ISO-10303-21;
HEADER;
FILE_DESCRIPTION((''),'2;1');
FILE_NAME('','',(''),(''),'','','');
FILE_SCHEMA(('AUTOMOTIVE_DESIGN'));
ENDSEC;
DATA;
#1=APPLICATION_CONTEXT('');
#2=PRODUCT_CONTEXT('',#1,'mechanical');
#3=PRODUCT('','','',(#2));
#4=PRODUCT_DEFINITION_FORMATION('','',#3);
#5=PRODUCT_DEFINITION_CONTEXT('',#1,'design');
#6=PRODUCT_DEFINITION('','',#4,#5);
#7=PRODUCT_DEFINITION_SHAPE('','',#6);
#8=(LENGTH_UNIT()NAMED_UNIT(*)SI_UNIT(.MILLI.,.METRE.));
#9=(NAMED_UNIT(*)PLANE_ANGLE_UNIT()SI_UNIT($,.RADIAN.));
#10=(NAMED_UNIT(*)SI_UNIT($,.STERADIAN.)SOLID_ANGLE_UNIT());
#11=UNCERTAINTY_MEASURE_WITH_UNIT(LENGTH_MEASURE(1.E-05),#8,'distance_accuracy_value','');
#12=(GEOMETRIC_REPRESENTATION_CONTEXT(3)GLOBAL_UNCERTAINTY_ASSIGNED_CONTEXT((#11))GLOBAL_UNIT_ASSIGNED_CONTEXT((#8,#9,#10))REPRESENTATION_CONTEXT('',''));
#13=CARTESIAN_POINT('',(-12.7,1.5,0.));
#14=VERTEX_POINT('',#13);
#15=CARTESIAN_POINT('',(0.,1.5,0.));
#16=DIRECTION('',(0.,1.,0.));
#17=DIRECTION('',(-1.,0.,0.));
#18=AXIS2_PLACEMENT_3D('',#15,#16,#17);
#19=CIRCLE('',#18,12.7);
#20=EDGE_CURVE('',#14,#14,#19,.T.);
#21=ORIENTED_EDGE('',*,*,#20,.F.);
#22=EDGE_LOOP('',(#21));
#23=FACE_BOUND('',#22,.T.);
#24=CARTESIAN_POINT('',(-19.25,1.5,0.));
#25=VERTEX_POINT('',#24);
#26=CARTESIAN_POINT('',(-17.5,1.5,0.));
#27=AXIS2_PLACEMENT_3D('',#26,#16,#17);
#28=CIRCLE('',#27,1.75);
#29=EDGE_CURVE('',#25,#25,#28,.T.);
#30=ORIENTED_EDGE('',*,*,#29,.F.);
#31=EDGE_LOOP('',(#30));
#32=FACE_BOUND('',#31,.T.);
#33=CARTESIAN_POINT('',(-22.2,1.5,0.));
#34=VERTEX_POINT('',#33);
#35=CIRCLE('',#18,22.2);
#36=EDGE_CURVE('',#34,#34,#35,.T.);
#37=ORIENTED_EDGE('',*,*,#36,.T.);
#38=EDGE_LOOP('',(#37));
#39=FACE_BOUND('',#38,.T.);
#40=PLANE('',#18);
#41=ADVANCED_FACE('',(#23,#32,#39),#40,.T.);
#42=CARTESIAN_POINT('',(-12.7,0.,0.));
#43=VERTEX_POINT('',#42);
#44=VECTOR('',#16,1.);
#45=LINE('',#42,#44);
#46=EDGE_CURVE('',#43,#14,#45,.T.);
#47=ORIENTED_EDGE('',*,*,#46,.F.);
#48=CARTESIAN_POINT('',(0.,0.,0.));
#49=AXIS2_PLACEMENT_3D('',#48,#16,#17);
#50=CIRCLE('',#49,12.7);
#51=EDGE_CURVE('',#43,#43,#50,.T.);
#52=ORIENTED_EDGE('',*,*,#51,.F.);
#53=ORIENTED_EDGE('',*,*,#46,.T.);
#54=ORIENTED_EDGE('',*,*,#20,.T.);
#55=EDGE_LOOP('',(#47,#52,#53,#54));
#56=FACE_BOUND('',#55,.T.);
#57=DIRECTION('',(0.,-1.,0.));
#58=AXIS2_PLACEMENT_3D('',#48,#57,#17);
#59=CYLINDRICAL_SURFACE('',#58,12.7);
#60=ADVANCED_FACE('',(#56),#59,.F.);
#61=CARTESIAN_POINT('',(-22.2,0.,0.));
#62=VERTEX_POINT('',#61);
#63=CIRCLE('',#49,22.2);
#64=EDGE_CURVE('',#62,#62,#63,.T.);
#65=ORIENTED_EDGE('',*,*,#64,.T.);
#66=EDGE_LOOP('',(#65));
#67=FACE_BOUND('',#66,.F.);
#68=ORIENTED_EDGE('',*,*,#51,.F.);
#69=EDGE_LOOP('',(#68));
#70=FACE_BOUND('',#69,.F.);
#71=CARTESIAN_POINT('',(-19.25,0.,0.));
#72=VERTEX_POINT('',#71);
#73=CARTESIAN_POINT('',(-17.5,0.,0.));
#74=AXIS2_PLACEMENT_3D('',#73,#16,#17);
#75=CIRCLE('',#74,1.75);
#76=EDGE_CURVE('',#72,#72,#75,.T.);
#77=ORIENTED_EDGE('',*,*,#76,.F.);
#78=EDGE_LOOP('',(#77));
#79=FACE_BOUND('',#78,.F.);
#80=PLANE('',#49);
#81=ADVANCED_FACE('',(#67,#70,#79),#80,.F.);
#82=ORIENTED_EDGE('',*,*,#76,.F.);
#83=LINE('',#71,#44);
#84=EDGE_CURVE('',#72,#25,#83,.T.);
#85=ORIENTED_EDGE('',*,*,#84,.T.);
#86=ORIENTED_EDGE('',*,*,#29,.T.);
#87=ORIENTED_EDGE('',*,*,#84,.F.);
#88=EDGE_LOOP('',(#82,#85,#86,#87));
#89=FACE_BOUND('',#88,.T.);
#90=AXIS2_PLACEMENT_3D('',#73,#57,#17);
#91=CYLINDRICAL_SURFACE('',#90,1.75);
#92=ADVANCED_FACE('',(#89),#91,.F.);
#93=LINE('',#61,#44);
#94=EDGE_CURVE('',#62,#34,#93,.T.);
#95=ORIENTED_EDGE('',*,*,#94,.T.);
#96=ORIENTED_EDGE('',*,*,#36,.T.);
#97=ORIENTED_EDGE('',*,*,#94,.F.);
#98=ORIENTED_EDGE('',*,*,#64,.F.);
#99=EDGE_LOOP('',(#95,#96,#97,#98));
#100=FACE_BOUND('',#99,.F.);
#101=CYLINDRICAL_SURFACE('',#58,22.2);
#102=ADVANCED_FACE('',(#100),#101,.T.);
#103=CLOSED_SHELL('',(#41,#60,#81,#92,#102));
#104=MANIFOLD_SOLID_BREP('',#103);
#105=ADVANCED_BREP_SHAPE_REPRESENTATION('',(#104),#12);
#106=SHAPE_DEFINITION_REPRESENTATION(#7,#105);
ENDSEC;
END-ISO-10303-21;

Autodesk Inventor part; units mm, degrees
ref_plane "YZ Plane" through (0, 0, 0) normal (1, 0, 0) x (0, 1, 0)
ref_plane "XZ Plane" through (0, 0, 0) normal (0, 1, 0) x (-1, 0, 0)
ref_plane "XY Plane" through (0, 0, 0) normal (0, 0, 1) x (1, 0, 0)
sketch "Sketch2" plane through (0, 0, 0) normal (0, 1, 0) x (-1, 0, 0)
  circle A0 centre (0, 0) radius 22.2
  circle A1 centre (0, 0) radius 12.7
  circle A2 centre (17.5, 0) radius 1.75
  dimension "d40" = 44.4
  dimension "d41" = 25.4
  dimension "d42" = 3.5
  dimension "d43" = 17.5
extrude "Extrusion1" add sketch "Sketch2" along normal blind 1.5
properties part number "42-02-005"
